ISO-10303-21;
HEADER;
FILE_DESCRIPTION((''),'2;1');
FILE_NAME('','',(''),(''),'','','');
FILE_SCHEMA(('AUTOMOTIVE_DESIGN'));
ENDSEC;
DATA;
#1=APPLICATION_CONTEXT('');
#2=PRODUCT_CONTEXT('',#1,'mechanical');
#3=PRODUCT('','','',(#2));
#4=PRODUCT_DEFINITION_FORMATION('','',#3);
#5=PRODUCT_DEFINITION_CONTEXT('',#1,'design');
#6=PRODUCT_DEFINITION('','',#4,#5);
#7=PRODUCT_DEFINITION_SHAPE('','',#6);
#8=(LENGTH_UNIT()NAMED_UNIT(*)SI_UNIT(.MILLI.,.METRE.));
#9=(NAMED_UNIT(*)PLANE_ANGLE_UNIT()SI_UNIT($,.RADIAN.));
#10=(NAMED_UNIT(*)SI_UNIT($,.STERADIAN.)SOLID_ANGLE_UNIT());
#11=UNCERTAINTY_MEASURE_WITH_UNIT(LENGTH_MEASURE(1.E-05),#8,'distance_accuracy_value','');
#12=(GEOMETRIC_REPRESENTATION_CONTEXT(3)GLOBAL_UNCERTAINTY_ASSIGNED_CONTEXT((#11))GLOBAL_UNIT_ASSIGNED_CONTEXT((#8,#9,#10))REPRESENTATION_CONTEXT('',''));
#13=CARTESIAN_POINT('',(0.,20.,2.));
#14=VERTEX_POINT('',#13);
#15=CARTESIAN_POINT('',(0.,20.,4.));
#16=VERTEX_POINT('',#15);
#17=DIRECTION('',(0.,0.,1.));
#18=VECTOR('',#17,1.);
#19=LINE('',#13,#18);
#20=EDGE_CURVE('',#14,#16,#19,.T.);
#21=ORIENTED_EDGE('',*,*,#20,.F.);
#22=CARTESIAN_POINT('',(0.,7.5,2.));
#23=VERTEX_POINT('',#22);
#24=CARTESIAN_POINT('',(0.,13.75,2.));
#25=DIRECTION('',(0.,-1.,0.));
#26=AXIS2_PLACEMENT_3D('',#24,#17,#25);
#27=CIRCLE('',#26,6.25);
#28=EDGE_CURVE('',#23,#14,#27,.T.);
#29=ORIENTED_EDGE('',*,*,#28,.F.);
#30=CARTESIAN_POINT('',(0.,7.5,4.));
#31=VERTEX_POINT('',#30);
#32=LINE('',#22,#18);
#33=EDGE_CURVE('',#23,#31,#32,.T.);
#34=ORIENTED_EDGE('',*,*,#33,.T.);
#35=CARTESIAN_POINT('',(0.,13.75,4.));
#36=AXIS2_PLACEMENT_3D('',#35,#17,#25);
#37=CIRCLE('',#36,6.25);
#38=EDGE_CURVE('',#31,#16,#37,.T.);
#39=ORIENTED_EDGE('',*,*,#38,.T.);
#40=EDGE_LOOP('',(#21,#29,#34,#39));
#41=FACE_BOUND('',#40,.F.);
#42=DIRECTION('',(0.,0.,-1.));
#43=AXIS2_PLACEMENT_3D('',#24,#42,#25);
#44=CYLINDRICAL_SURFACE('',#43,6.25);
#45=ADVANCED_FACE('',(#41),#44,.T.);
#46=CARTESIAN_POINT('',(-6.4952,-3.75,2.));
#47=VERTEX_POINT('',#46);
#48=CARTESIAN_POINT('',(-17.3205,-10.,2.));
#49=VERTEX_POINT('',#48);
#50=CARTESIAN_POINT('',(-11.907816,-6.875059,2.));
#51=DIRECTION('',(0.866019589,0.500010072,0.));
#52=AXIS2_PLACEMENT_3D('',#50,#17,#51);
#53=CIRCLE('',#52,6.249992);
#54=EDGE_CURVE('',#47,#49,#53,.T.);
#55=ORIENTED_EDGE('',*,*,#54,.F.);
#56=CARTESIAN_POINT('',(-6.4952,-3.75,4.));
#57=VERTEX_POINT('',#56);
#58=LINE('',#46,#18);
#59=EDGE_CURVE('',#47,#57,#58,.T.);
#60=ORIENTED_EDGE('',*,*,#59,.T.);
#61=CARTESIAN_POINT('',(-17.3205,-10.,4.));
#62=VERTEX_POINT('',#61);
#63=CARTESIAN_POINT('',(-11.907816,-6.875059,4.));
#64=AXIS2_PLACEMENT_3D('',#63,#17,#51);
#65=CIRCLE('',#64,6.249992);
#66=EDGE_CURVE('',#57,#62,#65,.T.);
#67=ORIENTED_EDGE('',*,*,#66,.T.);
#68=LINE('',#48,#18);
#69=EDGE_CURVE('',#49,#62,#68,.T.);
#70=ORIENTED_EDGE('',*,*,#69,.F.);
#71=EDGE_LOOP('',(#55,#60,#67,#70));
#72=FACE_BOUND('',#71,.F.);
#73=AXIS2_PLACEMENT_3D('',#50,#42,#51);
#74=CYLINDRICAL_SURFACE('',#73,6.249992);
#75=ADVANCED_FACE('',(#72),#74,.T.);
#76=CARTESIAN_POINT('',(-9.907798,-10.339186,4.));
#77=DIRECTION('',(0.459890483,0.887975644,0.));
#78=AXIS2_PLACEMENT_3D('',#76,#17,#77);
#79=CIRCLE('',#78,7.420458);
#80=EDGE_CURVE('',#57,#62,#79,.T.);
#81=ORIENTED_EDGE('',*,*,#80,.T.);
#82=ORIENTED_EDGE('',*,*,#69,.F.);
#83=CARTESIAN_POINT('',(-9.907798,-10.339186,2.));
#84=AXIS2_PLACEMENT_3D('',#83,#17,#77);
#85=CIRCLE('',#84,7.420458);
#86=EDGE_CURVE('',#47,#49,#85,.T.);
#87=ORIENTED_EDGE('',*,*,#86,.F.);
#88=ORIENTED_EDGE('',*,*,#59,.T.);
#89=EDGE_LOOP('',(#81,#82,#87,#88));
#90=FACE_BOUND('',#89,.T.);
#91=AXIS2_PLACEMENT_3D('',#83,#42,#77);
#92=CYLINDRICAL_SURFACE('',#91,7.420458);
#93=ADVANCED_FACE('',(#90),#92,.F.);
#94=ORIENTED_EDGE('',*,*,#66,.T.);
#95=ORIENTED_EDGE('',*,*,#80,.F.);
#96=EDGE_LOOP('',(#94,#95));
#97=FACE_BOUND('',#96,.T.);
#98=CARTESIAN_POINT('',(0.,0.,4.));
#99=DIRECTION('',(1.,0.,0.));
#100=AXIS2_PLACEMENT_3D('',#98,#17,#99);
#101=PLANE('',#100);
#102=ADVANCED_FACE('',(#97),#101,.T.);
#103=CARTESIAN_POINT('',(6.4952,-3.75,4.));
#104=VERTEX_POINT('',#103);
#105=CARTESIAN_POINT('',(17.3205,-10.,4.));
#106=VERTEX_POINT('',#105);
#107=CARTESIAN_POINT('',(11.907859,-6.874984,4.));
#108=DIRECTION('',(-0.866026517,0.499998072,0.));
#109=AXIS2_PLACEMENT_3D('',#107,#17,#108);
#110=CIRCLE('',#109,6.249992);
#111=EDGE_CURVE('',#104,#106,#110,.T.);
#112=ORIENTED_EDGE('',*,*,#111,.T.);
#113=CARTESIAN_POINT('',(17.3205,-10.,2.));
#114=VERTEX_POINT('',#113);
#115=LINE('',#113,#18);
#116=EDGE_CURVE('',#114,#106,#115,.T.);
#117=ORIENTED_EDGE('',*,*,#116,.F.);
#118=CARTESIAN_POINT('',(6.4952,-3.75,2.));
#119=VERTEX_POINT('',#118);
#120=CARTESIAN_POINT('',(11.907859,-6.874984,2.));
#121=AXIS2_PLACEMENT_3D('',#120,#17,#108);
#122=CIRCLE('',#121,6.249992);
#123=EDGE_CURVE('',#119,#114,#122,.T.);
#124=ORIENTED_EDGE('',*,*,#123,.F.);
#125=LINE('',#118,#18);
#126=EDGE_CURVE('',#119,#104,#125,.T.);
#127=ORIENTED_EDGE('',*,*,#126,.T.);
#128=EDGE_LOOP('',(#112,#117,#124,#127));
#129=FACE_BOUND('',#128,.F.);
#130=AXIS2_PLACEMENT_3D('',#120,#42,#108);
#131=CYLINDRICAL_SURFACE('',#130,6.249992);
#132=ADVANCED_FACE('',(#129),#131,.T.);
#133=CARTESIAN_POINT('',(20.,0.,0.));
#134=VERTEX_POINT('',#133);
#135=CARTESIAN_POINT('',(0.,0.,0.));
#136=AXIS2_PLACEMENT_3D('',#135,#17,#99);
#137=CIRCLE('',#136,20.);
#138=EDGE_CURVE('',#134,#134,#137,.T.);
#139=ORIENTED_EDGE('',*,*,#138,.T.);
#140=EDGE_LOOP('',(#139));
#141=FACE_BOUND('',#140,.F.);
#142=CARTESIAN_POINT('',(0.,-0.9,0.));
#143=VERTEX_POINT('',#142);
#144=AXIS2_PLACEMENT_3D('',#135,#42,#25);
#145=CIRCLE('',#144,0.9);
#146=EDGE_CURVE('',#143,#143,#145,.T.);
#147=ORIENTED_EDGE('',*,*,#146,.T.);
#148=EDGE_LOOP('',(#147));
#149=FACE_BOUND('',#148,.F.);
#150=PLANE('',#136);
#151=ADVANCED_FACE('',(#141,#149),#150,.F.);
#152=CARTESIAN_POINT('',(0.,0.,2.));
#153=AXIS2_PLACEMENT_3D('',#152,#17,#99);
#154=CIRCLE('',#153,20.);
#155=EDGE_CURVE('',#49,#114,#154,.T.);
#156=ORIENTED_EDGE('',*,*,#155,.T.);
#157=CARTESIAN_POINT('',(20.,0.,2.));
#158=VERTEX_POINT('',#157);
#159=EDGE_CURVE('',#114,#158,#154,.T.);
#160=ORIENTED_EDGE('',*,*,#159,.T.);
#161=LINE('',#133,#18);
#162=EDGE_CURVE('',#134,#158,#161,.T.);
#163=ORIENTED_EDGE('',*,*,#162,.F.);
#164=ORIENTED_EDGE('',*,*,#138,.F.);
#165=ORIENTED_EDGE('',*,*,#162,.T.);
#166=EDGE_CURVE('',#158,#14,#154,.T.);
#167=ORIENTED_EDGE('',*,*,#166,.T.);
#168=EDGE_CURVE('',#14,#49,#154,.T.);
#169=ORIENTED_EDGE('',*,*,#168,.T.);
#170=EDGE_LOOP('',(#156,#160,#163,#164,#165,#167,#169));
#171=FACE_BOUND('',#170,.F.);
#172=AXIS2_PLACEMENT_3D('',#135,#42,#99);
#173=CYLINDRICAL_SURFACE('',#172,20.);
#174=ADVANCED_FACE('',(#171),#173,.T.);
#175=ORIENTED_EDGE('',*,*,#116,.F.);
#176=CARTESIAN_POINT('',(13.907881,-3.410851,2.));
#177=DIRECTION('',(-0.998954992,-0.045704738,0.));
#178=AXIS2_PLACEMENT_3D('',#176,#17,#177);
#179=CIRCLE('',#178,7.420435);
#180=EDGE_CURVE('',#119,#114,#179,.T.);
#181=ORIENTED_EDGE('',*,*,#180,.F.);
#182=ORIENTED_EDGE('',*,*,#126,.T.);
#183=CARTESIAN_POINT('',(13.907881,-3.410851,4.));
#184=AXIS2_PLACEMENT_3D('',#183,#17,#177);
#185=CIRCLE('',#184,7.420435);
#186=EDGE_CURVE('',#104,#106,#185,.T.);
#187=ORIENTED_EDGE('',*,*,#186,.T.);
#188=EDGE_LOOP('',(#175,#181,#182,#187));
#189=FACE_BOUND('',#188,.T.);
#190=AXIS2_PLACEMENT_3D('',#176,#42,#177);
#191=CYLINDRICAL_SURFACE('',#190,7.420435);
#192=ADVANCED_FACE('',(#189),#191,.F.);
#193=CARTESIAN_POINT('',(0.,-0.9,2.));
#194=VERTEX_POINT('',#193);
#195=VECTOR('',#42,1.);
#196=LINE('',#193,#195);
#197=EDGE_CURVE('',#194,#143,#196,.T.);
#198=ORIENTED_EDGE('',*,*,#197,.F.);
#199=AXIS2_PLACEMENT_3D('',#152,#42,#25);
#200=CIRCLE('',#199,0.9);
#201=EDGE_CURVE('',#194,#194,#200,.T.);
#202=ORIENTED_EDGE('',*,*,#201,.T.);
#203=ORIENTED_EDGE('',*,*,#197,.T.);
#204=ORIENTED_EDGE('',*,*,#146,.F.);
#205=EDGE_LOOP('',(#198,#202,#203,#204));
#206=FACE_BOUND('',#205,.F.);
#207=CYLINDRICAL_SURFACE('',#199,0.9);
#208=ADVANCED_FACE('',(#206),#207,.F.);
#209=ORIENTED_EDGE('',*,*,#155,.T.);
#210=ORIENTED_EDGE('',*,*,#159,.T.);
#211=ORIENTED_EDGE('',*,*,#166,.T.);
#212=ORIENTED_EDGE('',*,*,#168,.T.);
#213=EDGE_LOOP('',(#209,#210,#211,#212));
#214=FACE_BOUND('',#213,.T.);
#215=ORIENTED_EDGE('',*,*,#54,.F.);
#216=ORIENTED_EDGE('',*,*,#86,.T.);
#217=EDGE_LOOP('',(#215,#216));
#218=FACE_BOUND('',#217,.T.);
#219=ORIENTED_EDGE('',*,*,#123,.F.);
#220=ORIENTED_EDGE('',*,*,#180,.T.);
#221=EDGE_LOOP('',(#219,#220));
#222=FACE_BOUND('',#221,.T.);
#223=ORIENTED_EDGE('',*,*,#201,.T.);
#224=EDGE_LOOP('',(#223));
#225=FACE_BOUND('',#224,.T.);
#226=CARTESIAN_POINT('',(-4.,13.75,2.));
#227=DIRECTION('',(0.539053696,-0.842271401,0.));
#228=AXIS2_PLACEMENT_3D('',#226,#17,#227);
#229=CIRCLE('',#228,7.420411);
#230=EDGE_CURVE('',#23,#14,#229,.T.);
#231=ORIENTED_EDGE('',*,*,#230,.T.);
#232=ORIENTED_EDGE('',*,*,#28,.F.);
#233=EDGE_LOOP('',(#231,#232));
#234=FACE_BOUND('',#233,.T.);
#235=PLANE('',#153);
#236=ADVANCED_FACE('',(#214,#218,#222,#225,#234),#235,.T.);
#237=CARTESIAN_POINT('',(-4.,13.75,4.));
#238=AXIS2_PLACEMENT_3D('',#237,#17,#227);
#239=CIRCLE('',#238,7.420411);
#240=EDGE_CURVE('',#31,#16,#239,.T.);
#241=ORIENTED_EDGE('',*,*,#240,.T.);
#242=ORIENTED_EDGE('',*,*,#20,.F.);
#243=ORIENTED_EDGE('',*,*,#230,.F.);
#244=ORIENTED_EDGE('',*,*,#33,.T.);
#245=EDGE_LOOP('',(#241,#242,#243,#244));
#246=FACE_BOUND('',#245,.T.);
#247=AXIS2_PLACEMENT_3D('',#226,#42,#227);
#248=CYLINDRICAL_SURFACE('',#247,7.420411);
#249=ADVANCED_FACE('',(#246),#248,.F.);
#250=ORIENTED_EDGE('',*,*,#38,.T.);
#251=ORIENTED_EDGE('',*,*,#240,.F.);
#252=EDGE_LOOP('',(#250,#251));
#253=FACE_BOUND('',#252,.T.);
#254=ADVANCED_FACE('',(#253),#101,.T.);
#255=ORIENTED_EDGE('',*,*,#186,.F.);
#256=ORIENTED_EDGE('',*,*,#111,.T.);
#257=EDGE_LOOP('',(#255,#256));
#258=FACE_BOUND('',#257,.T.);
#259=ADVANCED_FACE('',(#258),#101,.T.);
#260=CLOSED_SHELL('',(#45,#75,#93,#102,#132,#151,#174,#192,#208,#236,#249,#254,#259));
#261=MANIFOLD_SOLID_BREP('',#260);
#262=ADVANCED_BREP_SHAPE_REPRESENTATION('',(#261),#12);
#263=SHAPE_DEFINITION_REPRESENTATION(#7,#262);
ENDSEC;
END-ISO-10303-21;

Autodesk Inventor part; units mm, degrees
ref_plane "YZ Plane" through (0, 0, 0) normal (1, 0, 0) x (0, 1, 0)
ref_plane "XZ Plane" through (0, 0, 0) normal (0, 1, 0) x (-1, 0, 0)
ref_plane "XY Plane" through (0, 0, 0) normal (0, 0, 1) x (1, 0, 0)
sketch "スケッチ1" plane through (0, 0, 0) normal (0, 0, 1) x (1, 0, 0)
  circle A0 centre (0, 0) radius 20
  dimension "d0" = 40
extrude "押し出し1" add sketch "スケッチ1" along normal blind 2
sketch "スケッチ2" plane through (0, 0, 2) normal (0, 0, 1) x (1, 0, 0)
  circle A0 centre (0, 0) radius 7.5
  circle A1 centre (0, 0) radius 20 projected
  arc A2 (0, 7.5) -> (0, 20) centre (0, 13.75) ccw
  arc A3 (0, 7.5) -> (0, 20) centre (-4, 13.75) ccw
  arc A4 (-6.4952, -3.75) -> (-17.3205, -10) centre (-11.9078, -6.875) ccw
  arc A5 (-6.4952, -3.75) -> (-17.3205, -10) centre (-9.9078, -10.3391) ccw
  arc A6 (6.4952, -3.75) -> (17.3205, -10) centre (11.9078, -6.875) ccw
  arc A7 (6.4952, -3.75) -> (17.3205, -10) centre (13.9078, -3.4109) ccw
  dimension "d3" = 15
  dimension "d4" = 4
  dimension "d20" = 360
extrude "押し出し2" add sketch "スケッチ2" along normal blind 2 contours A3 A2 | A7 A6 | A5 A4
sketch "スケッチ3" plane through (0, 0, 2) normal (0, 0, 1) x (1, 0, 0)
  point P0 (0, 0)
  point P1 (0, 0)
hole "穴1" at (0, 0, 2) direction (0, 0, -1) diameter 1.8 depth 8.8 tip angle 118
properties part number "20220618_ファン40mm羽数3枚"
